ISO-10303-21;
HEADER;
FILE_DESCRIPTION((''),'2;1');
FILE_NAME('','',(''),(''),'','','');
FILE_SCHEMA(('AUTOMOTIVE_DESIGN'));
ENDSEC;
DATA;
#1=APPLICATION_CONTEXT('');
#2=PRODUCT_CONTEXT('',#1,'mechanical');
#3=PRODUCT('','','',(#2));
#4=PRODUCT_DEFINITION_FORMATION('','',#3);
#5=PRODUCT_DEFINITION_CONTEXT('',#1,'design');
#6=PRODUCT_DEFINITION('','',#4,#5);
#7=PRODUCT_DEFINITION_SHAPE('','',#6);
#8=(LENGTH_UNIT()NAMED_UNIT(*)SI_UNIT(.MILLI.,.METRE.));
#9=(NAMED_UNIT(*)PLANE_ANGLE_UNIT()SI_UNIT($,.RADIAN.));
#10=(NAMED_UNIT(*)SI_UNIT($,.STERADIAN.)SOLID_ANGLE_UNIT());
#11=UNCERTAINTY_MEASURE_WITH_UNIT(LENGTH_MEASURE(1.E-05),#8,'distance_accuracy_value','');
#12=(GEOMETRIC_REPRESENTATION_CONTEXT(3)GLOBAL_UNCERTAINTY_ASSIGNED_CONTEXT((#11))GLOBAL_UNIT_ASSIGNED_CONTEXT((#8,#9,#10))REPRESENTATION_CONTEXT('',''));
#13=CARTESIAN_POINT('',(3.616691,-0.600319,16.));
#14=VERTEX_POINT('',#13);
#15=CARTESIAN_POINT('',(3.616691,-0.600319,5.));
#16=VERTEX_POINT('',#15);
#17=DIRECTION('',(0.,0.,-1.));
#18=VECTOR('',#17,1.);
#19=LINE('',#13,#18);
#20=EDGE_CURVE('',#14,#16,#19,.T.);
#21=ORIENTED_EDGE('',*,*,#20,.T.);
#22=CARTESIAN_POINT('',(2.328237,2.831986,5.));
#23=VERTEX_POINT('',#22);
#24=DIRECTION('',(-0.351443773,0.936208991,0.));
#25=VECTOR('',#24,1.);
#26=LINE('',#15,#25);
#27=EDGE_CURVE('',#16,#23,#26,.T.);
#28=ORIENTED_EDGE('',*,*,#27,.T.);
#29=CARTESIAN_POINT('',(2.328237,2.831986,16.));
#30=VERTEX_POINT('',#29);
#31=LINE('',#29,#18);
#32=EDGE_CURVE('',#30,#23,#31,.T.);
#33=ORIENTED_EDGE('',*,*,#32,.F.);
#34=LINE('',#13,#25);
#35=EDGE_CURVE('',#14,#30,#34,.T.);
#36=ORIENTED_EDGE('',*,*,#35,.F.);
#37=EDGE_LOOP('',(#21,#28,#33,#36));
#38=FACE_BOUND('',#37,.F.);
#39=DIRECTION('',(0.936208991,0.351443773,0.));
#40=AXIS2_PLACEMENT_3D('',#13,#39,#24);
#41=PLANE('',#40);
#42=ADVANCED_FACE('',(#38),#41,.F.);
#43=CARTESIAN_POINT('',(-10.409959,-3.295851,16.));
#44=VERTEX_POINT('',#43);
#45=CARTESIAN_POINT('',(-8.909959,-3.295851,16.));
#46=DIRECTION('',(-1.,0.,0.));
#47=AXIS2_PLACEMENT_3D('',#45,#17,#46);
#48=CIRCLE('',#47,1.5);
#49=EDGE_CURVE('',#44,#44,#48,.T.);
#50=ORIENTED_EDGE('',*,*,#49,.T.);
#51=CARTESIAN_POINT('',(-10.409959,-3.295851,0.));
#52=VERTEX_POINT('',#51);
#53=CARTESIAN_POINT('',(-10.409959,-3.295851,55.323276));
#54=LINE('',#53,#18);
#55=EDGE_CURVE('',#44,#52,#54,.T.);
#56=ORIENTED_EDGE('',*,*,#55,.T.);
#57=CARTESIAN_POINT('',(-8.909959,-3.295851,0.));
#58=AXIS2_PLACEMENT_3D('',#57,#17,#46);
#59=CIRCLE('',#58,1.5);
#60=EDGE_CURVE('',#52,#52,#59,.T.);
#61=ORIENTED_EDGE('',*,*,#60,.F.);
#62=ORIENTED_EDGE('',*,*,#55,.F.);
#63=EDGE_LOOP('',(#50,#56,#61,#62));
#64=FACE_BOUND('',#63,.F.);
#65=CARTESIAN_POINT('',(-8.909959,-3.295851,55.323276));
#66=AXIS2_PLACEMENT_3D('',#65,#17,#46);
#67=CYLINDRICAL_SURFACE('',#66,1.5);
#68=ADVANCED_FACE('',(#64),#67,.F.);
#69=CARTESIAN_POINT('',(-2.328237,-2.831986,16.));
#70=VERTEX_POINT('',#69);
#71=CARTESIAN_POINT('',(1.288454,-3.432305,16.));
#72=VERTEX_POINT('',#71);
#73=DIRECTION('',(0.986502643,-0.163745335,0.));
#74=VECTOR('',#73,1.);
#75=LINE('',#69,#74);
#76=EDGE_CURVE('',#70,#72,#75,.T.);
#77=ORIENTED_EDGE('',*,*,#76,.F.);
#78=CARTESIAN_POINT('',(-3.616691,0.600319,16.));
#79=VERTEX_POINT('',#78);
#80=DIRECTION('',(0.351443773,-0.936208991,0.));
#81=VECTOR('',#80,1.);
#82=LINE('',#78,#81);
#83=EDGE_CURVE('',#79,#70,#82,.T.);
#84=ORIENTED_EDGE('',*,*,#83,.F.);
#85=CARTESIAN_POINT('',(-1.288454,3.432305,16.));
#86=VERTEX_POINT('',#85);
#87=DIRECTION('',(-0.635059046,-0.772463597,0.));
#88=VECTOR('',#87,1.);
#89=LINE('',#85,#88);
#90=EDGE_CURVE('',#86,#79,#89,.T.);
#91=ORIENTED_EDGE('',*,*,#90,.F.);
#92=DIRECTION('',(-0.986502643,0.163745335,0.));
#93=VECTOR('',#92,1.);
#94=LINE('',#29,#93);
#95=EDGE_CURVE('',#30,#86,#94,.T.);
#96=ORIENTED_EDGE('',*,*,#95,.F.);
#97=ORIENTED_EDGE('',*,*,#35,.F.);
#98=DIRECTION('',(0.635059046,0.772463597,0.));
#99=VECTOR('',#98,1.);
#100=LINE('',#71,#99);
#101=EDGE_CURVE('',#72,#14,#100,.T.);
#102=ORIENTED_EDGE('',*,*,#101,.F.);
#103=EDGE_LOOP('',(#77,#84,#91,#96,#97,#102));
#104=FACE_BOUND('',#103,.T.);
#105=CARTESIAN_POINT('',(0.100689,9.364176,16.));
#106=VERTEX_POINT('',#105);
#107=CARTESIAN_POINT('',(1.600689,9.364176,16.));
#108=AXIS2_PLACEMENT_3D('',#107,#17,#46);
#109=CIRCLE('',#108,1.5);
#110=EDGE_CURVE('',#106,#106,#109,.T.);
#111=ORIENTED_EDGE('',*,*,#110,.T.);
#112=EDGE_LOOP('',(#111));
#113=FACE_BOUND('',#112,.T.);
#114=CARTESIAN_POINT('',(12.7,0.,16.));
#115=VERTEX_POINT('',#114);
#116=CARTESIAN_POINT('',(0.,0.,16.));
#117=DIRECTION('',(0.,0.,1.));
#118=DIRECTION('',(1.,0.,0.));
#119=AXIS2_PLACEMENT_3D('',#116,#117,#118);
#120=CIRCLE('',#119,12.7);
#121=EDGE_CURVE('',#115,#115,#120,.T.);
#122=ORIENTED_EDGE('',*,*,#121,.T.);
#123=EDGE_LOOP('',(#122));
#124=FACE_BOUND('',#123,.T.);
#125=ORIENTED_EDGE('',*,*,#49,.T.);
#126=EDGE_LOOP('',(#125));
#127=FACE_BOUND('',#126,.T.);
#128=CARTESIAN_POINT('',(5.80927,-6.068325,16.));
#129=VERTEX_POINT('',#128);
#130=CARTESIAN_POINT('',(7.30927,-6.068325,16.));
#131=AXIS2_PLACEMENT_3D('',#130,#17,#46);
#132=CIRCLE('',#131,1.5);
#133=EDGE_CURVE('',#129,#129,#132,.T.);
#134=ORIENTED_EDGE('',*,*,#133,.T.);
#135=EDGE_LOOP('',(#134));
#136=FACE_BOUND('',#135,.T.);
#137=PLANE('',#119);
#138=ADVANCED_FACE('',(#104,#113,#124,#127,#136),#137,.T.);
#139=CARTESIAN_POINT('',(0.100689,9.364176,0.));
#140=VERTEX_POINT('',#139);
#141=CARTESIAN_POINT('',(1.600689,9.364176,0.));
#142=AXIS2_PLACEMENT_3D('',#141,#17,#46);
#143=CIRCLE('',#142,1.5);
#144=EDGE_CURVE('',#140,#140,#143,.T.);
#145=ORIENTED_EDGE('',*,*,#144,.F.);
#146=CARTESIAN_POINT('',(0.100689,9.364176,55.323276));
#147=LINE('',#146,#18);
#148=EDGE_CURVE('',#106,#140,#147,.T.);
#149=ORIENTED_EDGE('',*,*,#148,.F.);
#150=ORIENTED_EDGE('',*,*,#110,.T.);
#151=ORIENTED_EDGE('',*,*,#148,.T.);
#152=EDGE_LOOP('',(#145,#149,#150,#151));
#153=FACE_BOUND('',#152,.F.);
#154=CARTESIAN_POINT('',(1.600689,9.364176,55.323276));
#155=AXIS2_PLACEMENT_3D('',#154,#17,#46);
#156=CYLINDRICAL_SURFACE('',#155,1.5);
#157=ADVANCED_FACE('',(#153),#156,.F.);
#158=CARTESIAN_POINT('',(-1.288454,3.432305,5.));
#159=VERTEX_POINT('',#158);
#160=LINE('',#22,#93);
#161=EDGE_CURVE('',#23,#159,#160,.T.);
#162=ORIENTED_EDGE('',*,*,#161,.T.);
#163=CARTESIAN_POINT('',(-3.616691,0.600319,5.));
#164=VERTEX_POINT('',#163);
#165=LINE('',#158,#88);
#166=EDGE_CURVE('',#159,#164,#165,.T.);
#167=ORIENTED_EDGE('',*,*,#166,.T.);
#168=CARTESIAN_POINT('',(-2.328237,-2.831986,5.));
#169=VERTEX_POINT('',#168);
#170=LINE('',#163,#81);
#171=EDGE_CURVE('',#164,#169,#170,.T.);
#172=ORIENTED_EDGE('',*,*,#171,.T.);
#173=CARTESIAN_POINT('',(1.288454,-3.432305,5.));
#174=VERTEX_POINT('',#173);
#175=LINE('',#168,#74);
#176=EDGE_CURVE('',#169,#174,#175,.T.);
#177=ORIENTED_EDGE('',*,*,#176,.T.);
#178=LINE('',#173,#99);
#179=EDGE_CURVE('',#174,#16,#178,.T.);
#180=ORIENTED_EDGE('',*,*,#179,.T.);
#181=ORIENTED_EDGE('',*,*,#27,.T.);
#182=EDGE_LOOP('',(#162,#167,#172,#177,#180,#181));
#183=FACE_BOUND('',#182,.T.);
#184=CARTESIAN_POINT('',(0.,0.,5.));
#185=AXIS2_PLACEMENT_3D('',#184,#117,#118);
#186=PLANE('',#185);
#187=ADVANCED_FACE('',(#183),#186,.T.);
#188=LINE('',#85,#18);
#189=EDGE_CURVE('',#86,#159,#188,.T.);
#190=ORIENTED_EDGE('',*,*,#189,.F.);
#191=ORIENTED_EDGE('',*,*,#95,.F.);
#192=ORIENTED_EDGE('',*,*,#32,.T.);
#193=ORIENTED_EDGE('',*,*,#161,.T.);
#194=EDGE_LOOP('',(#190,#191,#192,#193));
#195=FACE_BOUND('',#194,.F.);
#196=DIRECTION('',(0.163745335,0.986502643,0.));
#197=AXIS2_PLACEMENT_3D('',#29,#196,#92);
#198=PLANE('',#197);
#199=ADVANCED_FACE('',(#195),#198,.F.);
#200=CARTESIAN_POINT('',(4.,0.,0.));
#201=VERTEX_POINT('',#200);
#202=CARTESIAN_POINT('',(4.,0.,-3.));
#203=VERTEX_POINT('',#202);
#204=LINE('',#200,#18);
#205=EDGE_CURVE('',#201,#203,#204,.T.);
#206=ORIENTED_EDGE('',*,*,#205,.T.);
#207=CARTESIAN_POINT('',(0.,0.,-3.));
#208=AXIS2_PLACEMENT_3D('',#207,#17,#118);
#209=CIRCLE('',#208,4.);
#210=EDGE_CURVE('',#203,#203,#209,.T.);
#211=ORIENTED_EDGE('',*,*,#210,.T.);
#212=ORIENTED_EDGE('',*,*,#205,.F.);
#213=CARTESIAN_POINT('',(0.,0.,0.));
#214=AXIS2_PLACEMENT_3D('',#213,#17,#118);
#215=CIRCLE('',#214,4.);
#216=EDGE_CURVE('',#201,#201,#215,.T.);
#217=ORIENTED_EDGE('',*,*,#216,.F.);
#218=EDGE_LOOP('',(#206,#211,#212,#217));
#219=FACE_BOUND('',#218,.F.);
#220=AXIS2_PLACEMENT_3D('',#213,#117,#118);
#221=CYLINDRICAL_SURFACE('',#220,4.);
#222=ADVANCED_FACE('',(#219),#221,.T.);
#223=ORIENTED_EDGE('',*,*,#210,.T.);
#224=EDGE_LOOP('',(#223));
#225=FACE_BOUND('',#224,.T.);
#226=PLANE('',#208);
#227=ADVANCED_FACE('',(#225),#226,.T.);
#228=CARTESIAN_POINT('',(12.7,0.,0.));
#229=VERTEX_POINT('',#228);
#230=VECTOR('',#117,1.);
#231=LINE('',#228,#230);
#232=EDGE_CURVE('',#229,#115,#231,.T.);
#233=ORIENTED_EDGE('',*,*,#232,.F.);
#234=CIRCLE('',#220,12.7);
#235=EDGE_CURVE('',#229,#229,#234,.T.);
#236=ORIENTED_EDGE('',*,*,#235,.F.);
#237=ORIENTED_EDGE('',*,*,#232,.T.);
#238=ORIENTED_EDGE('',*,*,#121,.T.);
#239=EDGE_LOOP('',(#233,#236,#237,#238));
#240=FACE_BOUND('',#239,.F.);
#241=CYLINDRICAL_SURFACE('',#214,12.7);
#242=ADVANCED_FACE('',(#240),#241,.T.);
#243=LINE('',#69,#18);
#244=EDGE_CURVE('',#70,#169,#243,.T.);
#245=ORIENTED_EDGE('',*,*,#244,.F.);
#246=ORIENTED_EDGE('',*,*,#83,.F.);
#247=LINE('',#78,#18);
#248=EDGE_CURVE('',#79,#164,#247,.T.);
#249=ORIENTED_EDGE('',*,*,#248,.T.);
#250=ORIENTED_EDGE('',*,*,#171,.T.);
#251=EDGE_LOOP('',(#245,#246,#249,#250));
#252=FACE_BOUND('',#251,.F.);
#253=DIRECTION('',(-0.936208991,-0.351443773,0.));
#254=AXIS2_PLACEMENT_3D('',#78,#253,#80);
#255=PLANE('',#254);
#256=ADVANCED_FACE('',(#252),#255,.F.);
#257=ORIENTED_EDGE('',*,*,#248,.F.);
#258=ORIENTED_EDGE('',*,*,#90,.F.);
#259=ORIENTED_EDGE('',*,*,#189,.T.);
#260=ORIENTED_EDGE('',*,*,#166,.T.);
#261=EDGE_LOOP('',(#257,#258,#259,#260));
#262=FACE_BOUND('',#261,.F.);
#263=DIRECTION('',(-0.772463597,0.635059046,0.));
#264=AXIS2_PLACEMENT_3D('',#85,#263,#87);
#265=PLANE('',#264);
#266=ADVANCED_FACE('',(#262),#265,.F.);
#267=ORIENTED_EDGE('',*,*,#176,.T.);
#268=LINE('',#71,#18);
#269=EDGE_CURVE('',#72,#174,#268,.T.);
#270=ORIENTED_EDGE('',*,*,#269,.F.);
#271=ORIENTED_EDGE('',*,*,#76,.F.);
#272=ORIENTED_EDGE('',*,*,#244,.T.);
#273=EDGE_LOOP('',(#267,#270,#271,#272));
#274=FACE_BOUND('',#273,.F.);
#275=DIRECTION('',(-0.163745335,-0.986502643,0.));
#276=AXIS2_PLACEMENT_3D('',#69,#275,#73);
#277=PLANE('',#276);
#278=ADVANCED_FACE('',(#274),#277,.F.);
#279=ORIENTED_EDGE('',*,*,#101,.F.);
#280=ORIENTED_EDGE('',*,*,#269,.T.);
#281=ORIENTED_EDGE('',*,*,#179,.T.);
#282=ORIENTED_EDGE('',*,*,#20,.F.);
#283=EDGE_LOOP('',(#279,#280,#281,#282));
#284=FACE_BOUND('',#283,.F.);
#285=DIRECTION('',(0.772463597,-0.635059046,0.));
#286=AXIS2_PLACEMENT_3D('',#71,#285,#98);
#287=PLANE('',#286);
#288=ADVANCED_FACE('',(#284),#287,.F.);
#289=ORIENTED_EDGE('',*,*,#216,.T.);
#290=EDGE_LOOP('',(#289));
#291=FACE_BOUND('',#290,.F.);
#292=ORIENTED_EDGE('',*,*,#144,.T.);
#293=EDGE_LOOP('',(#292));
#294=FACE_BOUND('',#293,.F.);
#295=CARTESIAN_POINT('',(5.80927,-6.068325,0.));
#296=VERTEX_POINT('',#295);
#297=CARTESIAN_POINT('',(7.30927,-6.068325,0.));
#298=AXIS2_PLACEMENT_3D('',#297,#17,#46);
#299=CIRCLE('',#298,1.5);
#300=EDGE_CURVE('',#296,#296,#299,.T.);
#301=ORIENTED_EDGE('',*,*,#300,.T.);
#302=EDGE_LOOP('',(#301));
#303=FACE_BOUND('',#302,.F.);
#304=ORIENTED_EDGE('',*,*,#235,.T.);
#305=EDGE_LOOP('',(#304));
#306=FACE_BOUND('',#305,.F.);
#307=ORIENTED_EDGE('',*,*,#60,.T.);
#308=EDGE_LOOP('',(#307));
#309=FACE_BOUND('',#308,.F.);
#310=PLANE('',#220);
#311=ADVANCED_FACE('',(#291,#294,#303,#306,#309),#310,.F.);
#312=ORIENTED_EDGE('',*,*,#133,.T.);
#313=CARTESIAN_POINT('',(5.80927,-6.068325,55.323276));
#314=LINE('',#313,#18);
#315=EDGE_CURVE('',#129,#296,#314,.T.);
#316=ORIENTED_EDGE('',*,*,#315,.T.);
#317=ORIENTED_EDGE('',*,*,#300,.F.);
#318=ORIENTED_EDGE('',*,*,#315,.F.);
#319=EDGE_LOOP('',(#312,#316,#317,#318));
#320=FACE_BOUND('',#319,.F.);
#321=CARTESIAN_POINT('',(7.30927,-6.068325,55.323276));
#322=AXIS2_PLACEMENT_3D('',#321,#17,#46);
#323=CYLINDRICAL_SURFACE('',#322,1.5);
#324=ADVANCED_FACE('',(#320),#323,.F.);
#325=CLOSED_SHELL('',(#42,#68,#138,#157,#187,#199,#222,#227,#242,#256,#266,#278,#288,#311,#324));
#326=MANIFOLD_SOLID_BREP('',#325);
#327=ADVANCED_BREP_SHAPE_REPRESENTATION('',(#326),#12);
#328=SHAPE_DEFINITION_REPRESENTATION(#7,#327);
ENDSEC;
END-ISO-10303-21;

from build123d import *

# Parameters (mm, degrees)
F0_R     = 12.7
F1_DEPTH = 16
F3_D     = 3
F5_DEPTH = 11
F6_R     = 4
F7_DEPTH = 3


with BuildPart() as f1:
    # F0 (on Top) → F1 (new body)
    with BuildSketch(Plane.XY):
        Circle(F0_R)
    extrude(amount=F1_DEPTH)

    # F3 (through all)
    with Locations(Plane.XY.offset(16)):
        with Locations((-8.909959, -3.295851), (1.600689, 9.364176), (7.30927, -6.068325)):
            Hole(F3_D / 2)

    # F4 (on face) → F5 (cut)
    with BuildSketch(Plane.XY.offset(16)):
        Polygon((3.616691, -0.600319), (2.328237, 2.831986), (-1.288454, 3.432305), (-3.616691, 0.600319), (-2.328237, -2.831986), (1.288454, -3.432305), align=None)
    extrude(amount=-F5_DEPTH, mode=Mode.SUBTRACT)

    # F6 (on face) → F7 (join)
    with BuildSketch(Plane(origin=(0, 0, 0), x_dir=(1, 0, 0), z_dir=(0, 0, -1))):
        Circle(F6_R)
    extrude(amount=F7_DEPTH)


solid = f1.part
